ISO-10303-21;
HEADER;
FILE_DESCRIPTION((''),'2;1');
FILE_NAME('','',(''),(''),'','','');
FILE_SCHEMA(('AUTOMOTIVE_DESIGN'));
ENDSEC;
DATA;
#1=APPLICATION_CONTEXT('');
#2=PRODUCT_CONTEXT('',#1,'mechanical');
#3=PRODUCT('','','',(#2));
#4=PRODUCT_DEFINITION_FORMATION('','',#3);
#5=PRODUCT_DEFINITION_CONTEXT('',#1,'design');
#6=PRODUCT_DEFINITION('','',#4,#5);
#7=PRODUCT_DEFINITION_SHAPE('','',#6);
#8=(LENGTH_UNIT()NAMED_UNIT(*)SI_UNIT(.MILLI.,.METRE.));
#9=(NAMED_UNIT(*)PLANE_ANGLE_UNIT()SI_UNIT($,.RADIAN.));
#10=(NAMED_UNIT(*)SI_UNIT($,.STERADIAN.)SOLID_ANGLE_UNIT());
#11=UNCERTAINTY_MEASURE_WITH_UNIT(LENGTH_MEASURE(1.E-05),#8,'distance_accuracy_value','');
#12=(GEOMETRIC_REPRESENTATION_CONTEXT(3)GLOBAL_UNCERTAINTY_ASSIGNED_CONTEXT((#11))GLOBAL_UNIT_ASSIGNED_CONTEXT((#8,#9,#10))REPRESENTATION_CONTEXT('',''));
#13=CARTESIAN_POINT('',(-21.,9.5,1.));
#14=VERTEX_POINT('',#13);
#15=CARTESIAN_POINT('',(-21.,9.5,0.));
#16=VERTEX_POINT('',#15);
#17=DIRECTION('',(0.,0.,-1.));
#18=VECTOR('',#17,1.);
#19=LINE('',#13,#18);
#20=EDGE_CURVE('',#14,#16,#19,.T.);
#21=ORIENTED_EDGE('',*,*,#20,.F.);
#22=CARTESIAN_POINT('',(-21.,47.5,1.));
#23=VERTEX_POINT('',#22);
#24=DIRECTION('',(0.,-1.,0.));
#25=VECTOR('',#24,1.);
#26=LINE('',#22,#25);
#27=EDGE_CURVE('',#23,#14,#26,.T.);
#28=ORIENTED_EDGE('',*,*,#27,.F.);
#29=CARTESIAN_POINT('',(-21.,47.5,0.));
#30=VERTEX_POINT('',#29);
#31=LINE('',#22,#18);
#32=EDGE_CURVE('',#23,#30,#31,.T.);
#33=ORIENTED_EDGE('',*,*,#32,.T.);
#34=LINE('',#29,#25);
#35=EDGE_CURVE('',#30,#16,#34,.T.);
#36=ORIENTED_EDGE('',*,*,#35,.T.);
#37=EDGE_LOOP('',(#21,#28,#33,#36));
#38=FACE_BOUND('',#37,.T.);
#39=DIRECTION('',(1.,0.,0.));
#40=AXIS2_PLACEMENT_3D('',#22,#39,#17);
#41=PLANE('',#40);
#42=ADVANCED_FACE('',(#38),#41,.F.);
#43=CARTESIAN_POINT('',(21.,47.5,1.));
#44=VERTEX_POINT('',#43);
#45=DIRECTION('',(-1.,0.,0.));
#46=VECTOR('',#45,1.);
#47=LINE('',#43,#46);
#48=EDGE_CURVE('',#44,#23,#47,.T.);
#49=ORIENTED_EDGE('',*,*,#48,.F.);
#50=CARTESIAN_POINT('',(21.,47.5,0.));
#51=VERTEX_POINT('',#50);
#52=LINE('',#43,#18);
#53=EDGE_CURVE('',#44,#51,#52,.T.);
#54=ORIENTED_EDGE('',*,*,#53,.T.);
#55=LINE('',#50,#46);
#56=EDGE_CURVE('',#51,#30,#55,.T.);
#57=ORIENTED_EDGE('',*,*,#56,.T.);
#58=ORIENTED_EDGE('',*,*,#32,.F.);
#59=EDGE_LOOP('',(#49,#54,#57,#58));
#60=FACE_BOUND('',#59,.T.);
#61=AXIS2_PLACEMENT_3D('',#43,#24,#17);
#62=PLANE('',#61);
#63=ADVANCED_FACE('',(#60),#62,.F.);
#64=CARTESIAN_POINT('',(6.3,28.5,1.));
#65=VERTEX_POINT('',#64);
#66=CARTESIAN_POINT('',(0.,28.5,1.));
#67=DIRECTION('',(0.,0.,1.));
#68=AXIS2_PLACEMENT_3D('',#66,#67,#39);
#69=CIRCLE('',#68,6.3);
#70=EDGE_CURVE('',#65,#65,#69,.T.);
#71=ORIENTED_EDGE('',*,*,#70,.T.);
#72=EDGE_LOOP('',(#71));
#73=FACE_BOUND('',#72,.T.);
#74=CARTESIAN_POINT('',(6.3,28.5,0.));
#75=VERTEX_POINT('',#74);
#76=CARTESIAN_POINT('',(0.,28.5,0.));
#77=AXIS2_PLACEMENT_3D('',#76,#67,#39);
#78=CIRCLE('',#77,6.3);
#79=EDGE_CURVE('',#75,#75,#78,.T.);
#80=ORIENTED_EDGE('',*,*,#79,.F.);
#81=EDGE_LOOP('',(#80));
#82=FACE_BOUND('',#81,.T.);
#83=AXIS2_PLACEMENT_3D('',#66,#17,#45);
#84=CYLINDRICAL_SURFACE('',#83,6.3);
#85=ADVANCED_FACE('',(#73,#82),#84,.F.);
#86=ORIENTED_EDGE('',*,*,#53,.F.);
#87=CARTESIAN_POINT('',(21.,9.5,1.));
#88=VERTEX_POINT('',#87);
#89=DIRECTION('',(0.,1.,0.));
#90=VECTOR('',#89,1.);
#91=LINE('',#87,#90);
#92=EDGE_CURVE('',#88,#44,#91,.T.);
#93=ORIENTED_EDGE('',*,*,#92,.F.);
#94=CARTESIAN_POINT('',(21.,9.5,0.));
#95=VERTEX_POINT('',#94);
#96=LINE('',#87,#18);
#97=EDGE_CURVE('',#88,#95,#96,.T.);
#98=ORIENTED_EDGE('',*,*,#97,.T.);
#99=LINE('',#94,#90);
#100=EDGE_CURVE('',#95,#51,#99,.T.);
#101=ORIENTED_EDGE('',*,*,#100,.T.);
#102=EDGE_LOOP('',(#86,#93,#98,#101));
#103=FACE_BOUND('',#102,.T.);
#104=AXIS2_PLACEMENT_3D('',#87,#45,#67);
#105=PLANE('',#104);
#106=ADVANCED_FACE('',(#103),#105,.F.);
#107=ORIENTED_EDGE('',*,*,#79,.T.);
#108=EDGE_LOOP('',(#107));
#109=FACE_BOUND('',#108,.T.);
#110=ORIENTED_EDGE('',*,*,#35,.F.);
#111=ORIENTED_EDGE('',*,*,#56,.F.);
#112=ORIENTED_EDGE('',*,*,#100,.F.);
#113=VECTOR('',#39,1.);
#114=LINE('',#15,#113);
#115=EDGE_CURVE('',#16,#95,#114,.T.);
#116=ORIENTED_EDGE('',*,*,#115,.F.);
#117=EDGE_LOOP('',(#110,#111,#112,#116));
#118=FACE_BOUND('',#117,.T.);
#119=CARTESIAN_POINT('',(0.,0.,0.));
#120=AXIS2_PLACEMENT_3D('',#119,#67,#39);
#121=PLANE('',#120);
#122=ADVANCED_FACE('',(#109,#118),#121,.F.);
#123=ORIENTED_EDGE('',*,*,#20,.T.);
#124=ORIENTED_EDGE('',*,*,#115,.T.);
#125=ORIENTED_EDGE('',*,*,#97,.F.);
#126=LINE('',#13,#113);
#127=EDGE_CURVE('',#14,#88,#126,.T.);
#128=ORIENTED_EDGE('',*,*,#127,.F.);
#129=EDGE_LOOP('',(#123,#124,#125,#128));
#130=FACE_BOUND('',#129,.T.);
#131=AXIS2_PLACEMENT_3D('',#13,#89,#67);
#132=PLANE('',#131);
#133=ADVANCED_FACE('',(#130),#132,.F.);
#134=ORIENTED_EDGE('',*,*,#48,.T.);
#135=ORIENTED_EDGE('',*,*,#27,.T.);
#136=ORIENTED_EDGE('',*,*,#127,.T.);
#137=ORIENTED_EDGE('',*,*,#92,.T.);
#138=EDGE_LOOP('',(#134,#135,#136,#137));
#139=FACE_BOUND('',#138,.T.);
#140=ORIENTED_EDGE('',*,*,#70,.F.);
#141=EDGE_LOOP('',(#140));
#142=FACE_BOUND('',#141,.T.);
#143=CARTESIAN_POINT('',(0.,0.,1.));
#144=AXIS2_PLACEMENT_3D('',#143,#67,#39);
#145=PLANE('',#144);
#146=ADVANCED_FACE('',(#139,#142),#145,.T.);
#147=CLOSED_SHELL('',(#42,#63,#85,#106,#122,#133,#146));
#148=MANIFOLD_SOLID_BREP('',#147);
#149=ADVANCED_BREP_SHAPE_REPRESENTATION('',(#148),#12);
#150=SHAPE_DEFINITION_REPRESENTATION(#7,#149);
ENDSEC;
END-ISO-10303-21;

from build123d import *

# Parameters (mm, degrees)
LOCAL_SECOND_LAYER_AND_BORE_PROFILE_W = 42
LOCAL_SECOND_LAYER_AND_BORE_PROFILE_H = 38
LOCAL_SECOND_LAYER_AND_BORE_PROFILE_R = 6.3
LOCAL_SECOND_LAYER_AND_BORE_DEPTH     = 1


with BuildPart() as part:
    # Local second layer and bore profile → Local second layer and bore (new body)
    with BuildSketch(Plane.XY):
        with Locations((0, 28.5)):
            Rectangle(LOCAL_SECOND_LAYER_AND_BORE_PROFILE_W, LOCAL_SECOND_LAYER_AND_BORE_PROFILE_H)
        with Locations((0, 28.5)):
            Circle(LOCAL_SECOND_LAYER_AND_BORE_PROFILE_R, mode=Mode.SUBTRACT)
    extrude(amount=LOCAL_SECOND_LAYER_AND_BORE_DEPTH)


solid = part.part
